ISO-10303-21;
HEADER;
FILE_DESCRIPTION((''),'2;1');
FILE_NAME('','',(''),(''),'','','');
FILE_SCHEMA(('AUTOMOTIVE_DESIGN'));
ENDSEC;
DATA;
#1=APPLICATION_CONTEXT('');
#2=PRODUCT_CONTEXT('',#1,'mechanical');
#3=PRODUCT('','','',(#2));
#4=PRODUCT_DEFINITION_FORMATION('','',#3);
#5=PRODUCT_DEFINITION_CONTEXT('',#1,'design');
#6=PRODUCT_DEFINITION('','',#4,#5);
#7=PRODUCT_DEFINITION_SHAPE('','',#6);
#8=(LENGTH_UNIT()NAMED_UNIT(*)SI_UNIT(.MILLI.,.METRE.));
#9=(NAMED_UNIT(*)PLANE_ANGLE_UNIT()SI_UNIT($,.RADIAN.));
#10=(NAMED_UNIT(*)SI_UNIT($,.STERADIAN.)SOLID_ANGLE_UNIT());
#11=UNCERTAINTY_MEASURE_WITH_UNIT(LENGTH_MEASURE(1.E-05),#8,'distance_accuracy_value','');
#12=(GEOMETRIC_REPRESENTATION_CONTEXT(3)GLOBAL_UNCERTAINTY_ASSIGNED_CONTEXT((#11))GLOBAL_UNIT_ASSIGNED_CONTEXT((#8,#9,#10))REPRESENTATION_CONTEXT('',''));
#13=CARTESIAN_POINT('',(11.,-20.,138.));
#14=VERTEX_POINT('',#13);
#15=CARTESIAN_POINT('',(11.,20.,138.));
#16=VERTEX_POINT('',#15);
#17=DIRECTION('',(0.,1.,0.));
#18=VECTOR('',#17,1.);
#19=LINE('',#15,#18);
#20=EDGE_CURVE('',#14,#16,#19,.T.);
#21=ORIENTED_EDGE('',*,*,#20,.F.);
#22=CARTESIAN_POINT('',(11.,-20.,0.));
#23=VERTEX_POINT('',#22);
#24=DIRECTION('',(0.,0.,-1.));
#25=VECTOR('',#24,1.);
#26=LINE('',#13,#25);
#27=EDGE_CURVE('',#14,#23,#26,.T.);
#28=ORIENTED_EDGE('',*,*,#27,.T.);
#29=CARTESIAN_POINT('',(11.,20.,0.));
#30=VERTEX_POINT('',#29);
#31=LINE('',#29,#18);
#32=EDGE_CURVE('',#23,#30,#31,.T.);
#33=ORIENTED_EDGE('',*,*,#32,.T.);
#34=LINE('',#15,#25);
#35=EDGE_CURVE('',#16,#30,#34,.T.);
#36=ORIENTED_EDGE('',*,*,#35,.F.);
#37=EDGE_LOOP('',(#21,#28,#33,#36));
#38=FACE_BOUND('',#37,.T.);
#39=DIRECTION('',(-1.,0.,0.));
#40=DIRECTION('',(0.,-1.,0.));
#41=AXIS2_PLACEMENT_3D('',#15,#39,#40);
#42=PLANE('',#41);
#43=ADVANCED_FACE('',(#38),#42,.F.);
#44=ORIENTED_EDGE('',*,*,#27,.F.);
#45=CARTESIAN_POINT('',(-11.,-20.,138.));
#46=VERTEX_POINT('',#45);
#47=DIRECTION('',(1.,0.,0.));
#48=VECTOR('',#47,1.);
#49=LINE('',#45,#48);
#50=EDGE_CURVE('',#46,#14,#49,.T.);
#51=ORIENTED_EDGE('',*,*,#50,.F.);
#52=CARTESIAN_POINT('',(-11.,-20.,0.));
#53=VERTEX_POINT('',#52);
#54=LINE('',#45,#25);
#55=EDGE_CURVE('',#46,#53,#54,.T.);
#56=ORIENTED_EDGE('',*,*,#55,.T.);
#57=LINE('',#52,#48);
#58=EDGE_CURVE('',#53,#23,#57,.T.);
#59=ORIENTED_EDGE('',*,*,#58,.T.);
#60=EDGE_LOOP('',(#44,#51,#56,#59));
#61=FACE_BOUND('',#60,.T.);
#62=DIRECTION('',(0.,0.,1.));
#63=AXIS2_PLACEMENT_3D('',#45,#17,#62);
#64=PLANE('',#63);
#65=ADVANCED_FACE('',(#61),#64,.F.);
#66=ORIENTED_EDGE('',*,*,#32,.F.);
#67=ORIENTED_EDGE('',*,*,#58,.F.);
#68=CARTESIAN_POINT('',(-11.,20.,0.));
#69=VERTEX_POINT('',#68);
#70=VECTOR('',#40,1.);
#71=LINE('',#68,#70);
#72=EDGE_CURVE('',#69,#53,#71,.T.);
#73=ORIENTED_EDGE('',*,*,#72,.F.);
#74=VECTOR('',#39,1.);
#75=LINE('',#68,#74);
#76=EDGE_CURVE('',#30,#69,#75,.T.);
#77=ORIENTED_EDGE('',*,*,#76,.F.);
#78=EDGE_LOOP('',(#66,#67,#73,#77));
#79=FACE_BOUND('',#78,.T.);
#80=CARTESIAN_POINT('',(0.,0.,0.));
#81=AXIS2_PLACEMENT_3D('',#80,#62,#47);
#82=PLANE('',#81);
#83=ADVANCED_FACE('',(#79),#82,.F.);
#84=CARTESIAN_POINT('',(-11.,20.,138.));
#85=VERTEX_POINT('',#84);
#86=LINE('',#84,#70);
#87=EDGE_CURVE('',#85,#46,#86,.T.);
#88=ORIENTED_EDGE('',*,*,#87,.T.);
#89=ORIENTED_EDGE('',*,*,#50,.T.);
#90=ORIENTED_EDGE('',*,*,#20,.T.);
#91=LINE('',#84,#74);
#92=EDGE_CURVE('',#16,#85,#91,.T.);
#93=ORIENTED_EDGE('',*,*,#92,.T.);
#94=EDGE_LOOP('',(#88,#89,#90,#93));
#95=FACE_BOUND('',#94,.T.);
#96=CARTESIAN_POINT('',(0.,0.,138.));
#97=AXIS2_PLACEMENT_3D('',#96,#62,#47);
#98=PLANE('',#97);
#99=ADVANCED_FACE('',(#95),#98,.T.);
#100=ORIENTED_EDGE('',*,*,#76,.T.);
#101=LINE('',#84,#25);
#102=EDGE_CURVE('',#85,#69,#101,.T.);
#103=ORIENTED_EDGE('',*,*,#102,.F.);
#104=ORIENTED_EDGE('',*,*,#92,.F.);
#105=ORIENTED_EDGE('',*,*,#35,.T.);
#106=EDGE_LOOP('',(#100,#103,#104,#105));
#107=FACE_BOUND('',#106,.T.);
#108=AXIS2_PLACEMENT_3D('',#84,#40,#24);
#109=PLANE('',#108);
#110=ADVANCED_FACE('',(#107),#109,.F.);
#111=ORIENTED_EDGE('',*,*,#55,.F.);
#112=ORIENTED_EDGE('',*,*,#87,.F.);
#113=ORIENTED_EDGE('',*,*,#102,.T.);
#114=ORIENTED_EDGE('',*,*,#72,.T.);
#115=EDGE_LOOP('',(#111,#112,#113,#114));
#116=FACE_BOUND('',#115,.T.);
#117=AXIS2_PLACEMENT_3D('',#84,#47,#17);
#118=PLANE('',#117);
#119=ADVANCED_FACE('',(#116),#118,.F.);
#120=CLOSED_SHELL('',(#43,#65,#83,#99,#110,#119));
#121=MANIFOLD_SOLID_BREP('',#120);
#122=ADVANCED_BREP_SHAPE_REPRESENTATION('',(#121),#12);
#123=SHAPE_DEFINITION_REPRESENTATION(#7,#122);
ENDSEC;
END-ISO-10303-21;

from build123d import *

# Parameters (mm, degrees)
SKETCH_1_W      = 22
SKETCH_1_H      = 40
EXTRUDE_1_DEPTH = 138


with BuildPart() as part:
    # 草图1 → 凸台-拉伸1 (new body)
    with BuildSketch(Plane.XY):
        Rectangle(SKETCH_1_W, SKETCH_1_H)
    extrude(amount=EXTRUDE_1_DEPTH)


solid = part.part
